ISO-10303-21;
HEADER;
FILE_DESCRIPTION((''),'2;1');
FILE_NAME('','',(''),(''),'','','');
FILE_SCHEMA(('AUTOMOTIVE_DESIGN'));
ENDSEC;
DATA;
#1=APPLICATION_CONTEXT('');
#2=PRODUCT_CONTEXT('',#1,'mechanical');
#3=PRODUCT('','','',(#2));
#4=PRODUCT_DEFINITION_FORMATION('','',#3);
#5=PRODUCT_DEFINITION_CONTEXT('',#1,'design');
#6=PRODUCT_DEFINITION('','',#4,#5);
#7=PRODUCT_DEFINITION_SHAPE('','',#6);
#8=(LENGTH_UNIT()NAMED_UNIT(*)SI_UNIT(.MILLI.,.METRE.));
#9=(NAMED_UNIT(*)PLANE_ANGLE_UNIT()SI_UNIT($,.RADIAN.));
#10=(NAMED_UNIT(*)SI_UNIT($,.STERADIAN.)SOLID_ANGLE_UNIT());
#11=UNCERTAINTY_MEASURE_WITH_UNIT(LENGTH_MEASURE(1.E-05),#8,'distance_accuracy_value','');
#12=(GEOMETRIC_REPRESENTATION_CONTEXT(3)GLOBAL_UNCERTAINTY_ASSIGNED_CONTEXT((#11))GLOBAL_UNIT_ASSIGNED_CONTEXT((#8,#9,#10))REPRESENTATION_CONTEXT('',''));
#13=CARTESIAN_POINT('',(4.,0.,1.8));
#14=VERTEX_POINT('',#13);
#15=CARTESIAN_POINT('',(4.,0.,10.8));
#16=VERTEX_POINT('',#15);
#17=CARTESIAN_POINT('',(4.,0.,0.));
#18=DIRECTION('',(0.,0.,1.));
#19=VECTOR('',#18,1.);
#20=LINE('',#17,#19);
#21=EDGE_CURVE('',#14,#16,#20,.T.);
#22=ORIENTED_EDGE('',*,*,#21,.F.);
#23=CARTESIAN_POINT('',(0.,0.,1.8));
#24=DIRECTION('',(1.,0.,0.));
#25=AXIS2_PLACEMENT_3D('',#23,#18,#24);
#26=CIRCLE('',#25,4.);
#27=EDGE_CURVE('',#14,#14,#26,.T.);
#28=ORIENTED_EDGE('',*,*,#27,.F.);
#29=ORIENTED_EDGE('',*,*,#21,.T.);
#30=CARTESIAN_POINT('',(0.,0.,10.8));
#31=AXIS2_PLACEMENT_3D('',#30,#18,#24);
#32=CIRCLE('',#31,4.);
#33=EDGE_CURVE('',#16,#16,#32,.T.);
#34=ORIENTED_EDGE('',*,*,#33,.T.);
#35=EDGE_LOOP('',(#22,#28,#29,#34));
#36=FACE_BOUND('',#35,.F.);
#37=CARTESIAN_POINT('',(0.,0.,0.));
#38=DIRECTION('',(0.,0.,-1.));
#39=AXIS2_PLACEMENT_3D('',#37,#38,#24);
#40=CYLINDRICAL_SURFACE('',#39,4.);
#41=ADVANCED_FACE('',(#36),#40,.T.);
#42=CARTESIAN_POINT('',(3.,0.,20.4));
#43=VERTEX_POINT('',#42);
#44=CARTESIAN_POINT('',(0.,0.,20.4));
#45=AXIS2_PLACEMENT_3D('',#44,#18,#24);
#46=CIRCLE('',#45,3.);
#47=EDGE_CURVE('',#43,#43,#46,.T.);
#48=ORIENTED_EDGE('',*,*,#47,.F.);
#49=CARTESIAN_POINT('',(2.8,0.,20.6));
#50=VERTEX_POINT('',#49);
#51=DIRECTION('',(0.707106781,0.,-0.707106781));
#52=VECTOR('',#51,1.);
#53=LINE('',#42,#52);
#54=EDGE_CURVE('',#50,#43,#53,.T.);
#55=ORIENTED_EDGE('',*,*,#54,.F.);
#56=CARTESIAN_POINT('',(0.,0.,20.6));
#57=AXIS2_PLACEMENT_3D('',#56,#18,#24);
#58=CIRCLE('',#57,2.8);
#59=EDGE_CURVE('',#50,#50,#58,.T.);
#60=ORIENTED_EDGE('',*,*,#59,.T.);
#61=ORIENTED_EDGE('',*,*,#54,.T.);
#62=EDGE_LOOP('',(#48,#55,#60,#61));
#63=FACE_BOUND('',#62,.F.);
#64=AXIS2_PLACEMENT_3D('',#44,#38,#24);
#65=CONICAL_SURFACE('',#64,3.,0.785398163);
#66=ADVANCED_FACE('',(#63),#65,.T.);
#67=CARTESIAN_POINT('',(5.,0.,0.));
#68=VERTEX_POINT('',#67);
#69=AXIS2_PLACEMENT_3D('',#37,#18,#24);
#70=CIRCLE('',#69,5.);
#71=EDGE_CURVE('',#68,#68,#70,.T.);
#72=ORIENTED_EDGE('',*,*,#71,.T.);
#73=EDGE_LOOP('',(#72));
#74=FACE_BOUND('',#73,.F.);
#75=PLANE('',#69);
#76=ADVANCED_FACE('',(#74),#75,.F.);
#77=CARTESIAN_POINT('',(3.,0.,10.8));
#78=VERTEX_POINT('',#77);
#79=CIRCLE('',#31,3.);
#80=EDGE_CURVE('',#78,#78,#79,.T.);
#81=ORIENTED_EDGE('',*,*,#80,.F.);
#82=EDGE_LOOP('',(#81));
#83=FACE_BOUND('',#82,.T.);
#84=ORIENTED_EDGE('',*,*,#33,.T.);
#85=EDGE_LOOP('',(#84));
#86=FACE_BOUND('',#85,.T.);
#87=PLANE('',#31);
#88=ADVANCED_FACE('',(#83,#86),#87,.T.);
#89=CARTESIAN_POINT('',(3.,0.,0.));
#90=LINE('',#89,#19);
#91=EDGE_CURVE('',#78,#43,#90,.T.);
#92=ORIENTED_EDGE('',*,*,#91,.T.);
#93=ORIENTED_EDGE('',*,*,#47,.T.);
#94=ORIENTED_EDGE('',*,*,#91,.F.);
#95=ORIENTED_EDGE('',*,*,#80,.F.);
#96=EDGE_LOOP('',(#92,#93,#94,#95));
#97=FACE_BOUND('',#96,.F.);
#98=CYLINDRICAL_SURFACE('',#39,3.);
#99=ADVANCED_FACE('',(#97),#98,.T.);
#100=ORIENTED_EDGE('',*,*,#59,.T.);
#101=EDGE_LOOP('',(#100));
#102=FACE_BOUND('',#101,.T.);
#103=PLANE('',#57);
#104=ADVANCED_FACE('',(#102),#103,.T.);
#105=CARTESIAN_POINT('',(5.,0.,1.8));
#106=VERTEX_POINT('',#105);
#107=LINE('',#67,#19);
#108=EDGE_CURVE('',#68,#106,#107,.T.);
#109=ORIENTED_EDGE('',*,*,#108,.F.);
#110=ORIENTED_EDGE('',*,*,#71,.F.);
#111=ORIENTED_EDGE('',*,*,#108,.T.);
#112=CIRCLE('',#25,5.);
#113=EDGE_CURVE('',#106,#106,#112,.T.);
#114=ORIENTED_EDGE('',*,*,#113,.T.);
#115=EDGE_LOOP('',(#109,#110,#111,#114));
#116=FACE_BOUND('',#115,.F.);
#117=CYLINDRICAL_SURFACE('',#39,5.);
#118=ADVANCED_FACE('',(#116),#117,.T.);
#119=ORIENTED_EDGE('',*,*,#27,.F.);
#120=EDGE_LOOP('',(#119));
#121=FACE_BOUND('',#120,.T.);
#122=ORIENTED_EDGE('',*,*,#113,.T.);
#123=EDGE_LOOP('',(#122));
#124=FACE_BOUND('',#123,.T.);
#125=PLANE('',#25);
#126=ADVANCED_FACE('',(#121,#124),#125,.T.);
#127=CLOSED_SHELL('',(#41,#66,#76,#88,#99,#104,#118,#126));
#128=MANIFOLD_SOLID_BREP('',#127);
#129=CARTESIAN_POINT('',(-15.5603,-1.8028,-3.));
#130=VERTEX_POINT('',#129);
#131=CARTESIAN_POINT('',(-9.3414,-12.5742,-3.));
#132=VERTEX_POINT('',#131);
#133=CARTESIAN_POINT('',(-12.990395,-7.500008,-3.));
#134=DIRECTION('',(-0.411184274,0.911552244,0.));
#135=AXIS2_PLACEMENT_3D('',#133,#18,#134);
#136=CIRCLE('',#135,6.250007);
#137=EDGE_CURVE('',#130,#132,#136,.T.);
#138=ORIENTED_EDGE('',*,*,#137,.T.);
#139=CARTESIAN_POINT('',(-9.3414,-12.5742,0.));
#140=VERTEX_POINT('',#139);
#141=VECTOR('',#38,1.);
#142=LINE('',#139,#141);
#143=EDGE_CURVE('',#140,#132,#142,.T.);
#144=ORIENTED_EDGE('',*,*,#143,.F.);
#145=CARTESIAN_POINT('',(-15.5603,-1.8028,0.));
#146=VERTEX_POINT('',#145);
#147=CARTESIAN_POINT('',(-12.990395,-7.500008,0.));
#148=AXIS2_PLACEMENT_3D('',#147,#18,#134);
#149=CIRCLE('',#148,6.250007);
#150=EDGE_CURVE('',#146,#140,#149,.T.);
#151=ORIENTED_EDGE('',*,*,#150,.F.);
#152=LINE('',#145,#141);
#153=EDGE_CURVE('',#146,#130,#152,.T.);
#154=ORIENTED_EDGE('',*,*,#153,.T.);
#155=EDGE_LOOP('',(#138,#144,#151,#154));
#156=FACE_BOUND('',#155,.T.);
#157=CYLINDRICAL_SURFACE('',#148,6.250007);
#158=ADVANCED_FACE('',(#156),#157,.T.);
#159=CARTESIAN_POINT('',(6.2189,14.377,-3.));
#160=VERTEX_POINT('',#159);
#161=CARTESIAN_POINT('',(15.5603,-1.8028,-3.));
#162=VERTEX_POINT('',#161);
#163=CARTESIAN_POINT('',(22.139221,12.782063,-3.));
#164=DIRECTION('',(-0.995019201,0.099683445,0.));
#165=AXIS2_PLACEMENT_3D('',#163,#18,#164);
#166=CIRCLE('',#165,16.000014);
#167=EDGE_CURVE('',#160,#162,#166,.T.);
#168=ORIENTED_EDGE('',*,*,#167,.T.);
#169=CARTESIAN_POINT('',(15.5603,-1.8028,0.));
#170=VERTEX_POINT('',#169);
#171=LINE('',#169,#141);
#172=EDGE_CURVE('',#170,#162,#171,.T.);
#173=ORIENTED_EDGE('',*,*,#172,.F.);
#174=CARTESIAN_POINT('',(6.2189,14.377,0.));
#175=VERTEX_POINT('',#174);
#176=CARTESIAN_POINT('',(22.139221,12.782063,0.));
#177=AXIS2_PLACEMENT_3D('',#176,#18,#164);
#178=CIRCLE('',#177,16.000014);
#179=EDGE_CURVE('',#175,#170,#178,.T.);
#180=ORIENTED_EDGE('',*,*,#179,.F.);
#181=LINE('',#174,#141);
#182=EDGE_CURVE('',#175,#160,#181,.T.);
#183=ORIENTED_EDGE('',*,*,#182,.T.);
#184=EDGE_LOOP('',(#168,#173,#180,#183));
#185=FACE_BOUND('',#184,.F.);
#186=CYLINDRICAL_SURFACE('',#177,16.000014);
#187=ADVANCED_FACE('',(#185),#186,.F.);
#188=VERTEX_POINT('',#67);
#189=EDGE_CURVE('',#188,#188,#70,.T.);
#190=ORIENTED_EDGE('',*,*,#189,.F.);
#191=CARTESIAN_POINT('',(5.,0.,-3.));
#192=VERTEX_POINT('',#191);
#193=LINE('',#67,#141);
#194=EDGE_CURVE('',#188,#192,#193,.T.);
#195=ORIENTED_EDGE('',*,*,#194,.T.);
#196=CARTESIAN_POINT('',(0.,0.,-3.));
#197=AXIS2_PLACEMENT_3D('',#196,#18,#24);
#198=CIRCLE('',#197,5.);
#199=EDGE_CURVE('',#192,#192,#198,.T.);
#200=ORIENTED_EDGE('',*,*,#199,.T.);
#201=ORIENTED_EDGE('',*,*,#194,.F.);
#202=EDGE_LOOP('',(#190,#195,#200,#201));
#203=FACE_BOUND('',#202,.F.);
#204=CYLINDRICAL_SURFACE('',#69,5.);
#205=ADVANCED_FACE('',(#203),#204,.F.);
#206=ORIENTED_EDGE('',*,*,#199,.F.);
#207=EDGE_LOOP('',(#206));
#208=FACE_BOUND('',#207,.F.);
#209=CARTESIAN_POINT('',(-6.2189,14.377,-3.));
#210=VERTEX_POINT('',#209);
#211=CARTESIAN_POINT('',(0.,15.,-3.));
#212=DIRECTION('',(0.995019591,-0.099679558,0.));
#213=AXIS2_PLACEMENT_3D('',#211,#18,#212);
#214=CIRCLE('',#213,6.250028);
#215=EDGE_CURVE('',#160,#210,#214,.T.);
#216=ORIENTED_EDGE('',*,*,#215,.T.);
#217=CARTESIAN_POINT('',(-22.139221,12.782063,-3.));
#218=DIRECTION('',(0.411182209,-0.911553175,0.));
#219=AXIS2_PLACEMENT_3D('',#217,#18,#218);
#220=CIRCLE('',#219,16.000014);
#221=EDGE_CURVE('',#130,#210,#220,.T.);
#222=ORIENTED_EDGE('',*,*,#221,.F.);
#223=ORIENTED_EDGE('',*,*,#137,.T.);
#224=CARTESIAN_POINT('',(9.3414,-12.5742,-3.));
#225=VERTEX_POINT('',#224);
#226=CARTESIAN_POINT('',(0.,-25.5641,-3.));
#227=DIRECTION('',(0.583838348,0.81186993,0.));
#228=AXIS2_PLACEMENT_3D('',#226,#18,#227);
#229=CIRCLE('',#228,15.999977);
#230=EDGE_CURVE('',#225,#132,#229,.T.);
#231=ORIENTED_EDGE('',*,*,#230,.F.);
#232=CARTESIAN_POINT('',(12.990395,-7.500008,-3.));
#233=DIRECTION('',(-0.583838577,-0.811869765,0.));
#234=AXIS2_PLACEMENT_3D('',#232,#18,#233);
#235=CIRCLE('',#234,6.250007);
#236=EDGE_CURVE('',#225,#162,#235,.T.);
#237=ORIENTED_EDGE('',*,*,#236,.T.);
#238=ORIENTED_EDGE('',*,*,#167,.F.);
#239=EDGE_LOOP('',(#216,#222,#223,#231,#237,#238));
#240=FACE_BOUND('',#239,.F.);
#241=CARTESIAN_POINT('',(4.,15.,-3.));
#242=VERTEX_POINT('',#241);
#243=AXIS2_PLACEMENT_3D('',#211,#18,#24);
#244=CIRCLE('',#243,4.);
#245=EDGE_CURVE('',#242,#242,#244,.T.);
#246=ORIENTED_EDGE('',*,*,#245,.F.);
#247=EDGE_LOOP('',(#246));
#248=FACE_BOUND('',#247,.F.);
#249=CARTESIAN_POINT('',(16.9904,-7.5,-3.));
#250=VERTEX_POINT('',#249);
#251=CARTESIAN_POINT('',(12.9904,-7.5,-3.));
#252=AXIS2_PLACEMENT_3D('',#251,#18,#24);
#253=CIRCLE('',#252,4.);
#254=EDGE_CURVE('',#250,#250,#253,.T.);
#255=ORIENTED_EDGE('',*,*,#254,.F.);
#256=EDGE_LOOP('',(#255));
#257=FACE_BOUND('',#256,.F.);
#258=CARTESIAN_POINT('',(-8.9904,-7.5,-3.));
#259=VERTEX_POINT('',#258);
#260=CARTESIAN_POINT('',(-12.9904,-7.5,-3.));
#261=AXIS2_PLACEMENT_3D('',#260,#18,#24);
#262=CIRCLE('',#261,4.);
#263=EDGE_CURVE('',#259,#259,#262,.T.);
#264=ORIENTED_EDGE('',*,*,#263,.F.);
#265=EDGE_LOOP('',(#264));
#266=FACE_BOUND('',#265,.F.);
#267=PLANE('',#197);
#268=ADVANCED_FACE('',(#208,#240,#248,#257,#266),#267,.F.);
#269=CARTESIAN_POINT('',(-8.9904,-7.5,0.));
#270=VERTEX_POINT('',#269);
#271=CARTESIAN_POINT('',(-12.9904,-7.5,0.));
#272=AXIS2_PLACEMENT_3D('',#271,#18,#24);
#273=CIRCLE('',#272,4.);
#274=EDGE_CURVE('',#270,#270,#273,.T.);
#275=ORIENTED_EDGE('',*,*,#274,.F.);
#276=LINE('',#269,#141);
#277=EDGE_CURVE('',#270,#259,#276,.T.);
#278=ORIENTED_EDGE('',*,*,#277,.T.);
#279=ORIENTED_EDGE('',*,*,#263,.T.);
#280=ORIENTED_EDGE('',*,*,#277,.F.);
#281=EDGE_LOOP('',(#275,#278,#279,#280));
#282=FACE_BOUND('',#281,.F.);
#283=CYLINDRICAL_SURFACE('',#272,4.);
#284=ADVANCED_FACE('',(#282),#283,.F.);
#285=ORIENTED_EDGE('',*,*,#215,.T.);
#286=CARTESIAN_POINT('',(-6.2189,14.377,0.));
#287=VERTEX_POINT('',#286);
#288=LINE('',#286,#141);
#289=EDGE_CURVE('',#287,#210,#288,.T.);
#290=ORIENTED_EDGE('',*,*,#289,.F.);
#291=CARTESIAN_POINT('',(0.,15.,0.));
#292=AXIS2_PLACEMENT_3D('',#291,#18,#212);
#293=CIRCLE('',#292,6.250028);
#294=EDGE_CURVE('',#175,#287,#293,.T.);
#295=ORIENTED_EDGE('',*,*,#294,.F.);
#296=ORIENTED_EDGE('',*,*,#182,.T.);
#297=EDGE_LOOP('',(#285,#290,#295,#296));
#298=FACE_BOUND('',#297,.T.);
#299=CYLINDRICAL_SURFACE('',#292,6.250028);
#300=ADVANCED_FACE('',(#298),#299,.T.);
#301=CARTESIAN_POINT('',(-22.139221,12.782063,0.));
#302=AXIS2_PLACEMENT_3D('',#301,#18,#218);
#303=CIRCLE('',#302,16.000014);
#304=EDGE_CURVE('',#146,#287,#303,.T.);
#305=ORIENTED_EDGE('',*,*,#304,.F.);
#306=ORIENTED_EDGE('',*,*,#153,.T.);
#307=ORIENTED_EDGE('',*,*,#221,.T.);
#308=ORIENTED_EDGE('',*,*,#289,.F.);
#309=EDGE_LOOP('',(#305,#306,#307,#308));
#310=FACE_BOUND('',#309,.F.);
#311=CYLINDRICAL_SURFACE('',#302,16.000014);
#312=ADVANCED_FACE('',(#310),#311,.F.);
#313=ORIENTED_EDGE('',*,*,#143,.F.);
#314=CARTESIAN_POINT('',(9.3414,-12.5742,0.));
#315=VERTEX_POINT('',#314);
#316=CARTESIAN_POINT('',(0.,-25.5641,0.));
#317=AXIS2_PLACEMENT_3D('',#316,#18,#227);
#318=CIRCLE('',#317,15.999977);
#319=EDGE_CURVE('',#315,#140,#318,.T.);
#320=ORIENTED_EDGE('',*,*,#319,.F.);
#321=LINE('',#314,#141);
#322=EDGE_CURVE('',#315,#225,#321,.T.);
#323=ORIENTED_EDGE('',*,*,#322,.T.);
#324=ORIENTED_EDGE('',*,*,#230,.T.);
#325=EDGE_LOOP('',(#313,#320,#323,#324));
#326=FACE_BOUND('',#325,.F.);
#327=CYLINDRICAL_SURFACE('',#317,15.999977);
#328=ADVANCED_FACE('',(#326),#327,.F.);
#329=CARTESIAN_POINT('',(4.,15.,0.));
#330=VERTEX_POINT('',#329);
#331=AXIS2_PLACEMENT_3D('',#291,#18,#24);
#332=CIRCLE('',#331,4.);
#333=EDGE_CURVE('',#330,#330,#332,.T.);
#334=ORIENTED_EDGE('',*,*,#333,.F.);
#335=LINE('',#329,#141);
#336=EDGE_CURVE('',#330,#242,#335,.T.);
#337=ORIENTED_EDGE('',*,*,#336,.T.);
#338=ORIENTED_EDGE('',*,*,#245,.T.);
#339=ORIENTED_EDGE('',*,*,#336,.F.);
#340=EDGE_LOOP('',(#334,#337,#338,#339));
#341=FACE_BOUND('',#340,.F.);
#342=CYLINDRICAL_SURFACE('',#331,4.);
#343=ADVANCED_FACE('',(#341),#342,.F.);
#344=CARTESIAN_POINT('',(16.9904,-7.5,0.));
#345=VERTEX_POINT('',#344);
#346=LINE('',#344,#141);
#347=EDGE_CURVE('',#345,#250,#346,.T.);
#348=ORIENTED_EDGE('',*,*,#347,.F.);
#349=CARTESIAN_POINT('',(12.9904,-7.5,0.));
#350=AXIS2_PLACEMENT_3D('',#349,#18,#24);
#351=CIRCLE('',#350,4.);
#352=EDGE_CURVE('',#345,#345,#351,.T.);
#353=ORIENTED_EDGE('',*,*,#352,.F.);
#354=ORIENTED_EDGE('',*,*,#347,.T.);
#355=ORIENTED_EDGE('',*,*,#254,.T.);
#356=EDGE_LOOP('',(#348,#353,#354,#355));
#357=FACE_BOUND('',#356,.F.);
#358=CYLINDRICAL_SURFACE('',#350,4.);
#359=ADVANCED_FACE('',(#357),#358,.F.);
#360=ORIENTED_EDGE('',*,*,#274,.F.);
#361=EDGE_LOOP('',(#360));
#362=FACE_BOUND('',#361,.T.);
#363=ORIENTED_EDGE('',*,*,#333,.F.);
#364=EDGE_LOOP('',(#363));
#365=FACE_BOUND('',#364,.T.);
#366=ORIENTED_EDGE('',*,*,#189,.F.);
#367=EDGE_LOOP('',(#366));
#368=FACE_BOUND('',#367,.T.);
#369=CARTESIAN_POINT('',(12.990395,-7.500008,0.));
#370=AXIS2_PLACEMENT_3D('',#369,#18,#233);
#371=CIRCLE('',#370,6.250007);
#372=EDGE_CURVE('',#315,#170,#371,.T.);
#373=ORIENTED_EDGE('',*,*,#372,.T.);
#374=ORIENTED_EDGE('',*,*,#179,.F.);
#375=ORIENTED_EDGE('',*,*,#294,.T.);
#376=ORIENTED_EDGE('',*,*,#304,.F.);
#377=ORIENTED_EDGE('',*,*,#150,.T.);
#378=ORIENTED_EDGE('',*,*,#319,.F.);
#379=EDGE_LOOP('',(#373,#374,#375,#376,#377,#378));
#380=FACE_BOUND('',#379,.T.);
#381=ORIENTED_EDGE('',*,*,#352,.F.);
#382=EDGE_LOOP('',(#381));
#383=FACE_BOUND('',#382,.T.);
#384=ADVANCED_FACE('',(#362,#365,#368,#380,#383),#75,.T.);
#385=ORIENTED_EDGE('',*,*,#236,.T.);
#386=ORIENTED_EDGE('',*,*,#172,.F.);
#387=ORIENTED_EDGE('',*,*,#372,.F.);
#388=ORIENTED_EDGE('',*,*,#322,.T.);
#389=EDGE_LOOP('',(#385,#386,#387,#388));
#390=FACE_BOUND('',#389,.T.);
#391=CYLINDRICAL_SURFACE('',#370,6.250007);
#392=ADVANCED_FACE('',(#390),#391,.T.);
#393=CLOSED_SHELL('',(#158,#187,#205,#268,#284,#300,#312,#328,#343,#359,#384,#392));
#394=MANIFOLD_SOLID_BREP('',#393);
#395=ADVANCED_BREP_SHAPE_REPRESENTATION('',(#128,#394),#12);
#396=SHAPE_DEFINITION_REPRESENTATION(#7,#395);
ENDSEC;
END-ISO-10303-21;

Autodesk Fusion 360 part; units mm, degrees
sketch "Sketch1" plane through (0, 0, 0) normal (0, 0, 1) x (1, 0, 0)
  circle A0 centre (0, 0) radius 4
  circle A1 centre (0, 0) radius 5
  circle A2 centre (0, 15) radius 4
  circle A3 centre (-12.9904, -7.5) radius 4
  circle A4 centre (12.9904, -7.5) radius 4
  arc A5 (-15.5603, -1.8028) -> (-6.2189, 14.377) centre (-22.1392, 12.7821) ccw
  arc A6 (6.2189, 14.377) -> (15.5603, -1.8028) centre (22.1392, 12.7821) ccw
  arc A7 (6.2189, 14.377) -> (-6.2189, 14.377) centre (0, 15) ccw
  arc A8 (-15.5603, -1.8028) -> (-9.3414, -12.5742) centre (-12.9904, -7.5) ccw
  arc A9 (9.3414, -12.5742) -> (15.5603, -1.8028) centre (12.9904, -7.5) ccw
  arc A10 (9.3414, -12.5742) -> (-9.3414, -12.5742) centre (0, -25.5641) ccw
  circle A11 centre (0, 0) radius 3
  dimension "d1" = 8
  dimension "d2" = 10
  dimension "d3" = 12.5
  dimension "d4" = 15
  dimension "d5" = 8
  dimension "d7" = 360
  dimension "d8" = 32
  dimension "d9" = 32
  dimension "d10" = 32
  dimension "d11" = 6
extrude "Extrude1" add sketch "Sketch1" along normal blind 20.6 contours A11 makes body 1
extrude "Extrude2" add sketch "Sketch1" along normal blind 10.8 contours A0 bodies 1
extrude "Extrude3" add sketch "Sketch1" along normal blind 1.8 contours A1 bodies 1
extrude "Extrude4" add sketch "Sketch1" against normal blind 3 separate body contours A5 A6 A7 A8 A9 A10 makes body 2
chamfer "Chamfer1" distance 0.2 distance2 0.2 1 edges at (-2.797, -1.0848, 20.6) measured on face at (-1.1591, 0.5829, 20.6) on bodies 1
equation "d12 = 9.8 mm + 9 mm + 1.8 mm"
equation "d14 = 9 mm + 1.8 mm"
